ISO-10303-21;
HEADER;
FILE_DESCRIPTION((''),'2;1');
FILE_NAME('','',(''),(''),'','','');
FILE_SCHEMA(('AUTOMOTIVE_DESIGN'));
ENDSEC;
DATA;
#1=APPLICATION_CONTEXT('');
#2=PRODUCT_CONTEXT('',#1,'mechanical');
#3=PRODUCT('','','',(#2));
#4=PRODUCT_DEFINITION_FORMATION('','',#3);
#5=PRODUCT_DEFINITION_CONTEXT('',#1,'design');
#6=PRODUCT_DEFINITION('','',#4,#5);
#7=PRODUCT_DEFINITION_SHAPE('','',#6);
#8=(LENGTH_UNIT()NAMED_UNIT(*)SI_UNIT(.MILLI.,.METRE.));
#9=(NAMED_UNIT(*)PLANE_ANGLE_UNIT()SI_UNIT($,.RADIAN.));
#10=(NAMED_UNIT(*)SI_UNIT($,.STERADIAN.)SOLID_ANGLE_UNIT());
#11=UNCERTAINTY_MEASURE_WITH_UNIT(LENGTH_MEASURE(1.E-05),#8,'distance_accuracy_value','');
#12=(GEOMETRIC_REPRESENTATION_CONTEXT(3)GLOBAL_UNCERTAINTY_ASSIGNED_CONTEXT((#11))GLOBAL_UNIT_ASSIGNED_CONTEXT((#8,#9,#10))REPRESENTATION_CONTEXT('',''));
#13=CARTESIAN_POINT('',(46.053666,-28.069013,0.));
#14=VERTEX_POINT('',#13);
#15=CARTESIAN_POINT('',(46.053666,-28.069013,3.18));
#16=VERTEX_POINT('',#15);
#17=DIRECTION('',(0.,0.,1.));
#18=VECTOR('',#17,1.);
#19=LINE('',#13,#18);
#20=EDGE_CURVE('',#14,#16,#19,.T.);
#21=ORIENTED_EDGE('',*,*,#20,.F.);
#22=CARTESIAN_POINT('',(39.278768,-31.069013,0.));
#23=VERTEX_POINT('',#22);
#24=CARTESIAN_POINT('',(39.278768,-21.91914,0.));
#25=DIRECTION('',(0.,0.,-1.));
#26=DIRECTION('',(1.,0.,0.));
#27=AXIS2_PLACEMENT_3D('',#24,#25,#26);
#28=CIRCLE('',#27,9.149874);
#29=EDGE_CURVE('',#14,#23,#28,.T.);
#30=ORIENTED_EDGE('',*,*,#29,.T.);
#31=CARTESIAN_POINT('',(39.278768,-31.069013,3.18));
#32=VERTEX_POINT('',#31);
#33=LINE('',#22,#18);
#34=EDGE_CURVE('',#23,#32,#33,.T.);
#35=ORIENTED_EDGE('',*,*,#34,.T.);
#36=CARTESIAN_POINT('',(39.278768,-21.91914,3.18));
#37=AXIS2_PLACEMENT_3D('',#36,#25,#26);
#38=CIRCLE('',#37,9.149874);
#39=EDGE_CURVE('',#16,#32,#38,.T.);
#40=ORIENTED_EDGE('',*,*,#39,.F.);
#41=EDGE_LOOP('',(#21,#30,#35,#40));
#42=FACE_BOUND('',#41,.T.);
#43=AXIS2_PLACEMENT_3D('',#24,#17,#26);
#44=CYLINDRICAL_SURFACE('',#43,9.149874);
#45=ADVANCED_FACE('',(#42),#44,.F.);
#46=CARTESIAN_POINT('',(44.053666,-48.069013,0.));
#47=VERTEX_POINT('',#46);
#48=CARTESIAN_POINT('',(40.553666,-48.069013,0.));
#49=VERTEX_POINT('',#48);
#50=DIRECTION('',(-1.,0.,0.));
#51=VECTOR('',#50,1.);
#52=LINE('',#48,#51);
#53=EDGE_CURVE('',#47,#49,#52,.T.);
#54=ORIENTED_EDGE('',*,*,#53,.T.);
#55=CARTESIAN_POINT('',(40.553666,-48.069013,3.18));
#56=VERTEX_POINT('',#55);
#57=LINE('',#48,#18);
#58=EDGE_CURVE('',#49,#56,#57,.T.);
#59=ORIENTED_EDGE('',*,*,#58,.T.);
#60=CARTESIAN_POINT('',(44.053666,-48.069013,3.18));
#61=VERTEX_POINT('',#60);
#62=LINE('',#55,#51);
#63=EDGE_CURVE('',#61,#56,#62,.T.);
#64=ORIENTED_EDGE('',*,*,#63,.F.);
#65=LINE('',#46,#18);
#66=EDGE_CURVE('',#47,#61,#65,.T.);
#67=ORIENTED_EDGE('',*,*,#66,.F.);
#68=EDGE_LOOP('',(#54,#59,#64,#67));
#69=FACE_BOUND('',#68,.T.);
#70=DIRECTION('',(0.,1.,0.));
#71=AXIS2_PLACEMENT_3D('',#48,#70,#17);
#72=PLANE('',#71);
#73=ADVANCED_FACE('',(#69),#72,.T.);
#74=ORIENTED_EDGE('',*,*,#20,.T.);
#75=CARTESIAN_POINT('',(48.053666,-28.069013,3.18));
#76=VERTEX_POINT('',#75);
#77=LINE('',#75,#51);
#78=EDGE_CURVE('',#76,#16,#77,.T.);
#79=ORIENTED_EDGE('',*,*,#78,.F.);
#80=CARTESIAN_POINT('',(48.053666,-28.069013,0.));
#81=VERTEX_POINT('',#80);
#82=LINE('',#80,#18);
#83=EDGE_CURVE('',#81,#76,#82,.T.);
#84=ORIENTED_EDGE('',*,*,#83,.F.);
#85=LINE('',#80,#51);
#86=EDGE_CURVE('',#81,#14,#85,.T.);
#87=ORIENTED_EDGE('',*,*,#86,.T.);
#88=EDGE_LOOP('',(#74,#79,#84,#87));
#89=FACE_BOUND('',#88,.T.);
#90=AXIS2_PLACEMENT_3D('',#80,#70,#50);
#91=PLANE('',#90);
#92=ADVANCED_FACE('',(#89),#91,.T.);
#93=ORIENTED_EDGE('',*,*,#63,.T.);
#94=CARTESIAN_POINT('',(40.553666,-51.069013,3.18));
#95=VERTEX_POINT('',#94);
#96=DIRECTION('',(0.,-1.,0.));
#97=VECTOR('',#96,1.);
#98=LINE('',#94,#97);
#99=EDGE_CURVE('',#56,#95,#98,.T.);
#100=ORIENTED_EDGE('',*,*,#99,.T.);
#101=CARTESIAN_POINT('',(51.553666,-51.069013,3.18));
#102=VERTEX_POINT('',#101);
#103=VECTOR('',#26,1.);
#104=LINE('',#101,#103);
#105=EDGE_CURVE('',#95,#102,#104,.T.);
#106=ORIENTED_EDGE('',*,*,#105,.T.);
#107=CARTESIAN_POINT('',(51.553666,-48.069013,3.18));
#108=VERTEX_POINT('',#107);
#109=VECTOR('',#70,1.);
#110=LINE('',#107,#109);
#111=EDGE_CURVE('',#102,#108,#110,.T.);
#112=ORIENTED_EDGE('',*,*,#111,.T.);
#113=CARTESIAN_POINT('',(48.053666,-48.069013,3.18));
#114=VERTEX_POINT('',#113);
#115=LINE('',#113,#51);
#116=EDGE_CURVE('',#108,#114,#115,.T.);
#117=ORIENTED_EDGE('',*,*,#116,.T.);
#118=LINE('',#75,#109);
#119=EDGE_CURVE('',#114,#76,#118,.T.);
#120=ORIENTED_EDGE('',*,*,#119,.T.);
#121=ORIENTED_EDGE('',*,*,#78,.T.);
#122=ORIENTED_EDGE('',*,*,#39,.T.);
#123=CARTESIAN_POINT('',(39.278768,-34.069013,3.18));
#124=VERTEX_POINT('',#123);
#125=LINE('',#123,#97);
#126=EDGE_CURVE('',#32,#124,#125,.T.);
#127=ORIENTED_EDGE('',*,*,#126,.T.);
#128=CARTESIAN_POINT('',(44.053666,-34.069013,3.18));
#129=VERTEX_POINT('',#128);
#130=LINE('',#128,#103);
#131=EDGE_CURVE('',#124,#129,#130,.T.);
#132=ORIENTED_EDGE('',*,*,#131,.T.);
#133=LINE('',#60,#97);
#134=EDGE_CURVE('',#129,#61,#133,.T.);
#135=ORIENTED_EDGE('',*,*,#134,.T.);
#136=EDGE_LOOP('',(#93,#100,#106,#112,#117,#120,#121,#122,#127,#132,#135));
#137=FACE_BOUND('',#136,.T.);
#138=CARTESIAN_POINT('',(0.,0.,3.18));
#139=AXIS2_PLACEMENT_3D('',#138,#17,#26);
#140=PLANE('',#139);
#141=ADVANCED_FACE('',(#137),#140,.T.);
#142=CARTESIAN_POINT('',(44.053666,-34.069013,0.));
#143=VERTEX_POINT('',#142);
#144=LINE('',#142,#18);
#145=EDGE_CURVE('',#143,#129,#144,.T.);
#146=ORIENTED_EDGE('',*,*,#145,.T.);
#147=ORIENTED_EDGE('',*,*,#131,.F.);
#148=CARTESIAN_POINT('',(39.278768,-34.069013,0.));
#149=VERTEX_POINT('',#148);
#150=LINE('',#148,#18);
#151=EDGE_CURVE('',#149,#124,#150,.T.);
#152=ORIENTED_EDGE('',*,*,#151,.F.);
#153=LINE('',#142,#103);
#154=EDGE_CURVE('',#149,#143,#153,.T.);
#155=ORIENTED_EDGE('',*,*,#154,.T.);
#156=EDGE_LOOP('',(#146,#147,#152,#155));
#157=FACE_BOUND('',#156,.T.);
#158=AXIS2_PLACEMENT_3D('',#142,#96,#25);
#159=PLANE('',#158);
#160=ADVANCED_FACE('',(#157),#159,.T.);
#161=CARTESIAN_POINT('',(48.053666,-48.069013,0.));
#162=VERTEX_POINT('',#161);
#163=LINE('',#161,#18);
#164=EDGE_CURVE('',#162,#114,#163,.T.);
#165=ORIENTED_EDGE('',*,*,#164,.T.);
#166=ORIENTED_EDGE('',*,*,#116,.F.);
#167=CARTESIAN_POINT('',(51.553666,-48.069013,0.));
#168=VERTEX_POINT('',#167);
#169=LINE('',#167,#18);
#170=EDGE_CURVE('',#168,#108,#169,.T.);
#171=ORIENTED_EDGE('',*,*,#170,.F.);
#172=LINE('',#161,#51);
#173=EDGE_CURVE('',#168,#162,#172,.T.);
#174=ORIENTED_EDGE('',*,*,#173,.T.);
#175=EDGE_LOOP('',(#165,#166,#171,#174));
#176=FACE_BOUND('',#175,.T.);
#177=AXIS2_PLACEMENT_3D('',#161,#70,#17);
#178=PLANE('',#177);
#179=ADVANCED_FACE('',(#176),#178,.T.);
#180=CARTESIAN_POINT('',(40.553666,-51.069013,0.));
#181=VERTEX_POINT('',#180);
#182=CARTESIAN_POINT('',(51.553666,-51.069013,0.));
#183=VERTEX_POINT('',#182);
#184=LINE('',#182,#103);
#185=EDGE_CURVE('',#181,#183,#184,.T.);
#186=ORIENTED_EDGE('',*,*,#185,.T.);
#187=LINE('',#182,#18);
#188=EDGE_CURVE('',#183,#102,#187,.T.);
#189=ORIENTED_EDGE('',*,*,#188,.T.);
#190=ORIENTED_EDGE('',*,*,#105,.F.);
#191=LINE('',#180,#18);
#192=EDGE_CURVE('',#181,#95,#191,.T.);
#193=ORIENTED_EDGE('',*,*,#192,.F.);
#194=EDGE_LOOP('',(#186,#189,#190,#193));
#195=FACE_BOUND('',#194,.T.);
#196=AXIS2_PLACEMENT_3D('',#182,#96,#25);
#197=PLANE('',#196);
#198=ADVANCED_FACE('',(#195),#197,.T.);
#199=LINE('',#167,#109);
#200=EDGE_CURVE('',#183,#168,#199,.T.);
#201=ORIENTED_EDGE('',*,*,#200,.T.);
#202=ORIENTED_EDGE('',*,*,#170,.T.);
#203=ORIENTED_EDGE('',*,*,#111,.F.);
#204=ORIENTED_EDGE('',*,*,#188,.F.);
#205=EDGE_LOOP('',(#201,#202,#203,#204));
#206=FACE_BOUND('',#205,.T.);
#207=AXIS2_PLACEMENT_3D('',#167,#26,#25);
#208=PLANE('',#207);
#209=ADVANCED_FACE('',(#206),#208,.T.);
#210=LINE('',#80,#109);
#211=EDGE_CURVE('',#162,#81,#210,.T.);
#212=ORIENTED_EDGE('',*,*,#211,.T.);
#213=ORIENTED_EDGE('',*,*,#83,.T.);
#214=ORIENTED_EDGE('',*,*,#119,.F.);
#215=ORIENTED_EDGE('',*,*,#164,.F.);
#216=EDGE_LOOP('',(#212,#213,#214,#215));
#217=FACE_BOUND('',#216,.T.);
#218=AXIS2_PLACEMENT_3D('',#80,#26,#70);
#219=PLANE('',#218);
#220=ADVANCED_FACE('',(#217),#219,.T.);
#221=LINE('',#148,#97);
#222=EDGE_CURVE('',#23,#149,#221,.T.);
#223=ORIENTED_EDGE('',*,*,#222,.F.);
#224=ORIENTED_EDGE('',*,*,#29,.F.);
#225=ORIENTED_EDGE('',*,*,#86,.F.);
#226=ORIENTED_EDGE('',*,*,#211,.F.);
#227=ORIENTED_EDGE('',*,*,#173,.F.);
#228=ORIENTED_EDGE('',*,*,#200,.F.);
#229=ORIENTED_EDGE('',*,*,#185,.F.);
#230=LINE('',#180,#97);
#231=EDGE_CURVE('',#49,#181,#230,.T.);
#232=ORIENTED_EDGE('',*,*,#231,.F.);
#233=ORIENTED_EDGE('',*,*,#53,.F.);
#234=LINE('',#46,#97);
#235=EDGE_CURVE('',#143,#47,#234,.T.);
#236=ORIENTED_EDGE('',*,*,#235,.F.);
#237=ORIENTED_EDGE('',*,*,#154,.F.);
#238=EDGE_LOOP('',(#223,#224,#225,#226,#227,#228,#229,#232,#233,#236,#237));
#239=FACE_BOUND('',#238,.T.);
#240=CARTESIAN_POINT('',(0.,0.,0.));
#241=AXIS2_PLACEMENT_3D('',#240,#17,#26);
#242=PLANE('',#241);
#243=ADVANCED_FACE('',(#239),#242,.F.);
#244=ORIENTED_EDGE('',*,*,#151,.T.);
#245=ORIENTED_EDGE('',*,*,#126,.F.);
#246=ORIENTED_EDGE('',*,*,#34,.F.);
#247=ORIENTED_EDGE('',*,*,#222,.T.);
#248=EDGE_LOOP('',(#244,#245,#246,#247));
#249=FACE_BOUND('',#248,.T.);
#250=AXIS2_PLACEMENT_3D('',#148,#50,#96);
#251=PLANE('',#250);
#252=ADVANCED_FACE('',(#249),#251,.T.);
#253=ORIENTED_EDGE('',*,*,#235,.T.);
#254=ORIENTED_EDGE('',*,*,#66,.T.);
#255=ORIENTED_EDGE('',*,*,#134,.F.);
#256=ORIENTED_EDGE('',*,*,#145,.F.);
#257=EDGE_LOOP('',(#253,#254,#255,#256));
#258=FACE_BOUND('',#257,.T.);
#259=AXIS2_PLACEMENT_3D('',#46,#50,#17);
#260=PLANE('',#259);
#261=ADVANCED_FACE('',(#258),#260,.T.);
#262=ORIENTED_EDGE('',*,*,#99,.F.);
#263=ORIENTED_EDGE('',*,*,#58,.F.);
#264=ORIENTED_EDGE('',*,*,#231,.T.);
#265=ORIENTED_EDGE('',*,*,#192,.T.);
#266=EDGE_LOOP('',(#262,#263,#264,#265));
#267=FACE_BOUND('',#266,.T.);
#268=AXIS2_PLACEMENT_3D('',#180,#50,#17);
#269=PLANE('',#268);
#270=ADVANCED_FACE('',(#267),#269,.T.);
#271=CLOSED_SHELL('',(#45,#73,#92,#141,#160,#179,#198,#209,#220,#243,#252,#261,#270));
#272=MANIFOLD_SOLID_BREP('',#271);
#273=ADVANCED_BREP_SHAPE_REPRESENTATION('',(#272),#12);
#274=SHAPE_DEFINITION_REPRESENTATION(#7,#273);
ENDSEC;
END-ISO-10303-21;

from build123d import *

# Parameters (mm, degrees)
SKETCH1_W           = 152.4
SKETCH1_H           = 114.3
BOSS_EXTRUDE1_DEPTH = 3.18
SKETCH2_OUTSIDE_W   = 192.506
SKETCH2_OUTSIDE_H   = 154.406
CUT_EXTRUDE2_DEPTH  = 3.18


with BuildPart() as part:
    # Sketch1 → Boss-Extrude1 (new body)
    with BuildSketch(Plane.XY):
        Rectangle(SKETCH1_W, SKETCH1_H)
    extrude(amount=BOSS_EXTRUDE1_DEPTH)

    # Sketch2 outside → Cut-Extrude2 (cut)
    with BuildSketch(Plane.XY.offset(3.18)):
        Rectangle(SKETCH2_OUTSIDE_W, SKETCH2_OUTSIDE_H)
        with BuildLine():
            Line((48.053666352, -28.069013415), (48.053666352, -48.069013415))
            Line((48.053666352, -48.069013415), (51.553666352, -48.069013415))
            Line((51.553666352, -48.069013415), (51.553666352, -51.069013415))
            Line((51.553666352, -51.069013415), (40.553666352, -51.069013415))
            Line((40.553666352, -51.069013415), (40.553666352, -48.069013415))
            Line((40.553666352, -48.069013415), (44.053666352, -48.069013415))
            Line((44.053666352, -48.069013415), (44.053666352, -34.069013415))
            Line((44.053666352, -34.069013415), (39.278768341, -34.069013415))
            Line((39.278768341, -34.069013415), (39.278768341, -31.069013415))
            ThreePointArc((39.278768341, -31.069013415), (42.983469512, -30.28546377), (46.053666352, -28.069013415))
            Line((46.053666352, -28.069013415), (48.053666352, -28.069013415))
        make_face(mode=Mode.SUBTRACT)
    extrude(amount=-CUT_EXTRUDE2_DEPTH, mode=Mode.SUBTRACT)


solid = part.part
